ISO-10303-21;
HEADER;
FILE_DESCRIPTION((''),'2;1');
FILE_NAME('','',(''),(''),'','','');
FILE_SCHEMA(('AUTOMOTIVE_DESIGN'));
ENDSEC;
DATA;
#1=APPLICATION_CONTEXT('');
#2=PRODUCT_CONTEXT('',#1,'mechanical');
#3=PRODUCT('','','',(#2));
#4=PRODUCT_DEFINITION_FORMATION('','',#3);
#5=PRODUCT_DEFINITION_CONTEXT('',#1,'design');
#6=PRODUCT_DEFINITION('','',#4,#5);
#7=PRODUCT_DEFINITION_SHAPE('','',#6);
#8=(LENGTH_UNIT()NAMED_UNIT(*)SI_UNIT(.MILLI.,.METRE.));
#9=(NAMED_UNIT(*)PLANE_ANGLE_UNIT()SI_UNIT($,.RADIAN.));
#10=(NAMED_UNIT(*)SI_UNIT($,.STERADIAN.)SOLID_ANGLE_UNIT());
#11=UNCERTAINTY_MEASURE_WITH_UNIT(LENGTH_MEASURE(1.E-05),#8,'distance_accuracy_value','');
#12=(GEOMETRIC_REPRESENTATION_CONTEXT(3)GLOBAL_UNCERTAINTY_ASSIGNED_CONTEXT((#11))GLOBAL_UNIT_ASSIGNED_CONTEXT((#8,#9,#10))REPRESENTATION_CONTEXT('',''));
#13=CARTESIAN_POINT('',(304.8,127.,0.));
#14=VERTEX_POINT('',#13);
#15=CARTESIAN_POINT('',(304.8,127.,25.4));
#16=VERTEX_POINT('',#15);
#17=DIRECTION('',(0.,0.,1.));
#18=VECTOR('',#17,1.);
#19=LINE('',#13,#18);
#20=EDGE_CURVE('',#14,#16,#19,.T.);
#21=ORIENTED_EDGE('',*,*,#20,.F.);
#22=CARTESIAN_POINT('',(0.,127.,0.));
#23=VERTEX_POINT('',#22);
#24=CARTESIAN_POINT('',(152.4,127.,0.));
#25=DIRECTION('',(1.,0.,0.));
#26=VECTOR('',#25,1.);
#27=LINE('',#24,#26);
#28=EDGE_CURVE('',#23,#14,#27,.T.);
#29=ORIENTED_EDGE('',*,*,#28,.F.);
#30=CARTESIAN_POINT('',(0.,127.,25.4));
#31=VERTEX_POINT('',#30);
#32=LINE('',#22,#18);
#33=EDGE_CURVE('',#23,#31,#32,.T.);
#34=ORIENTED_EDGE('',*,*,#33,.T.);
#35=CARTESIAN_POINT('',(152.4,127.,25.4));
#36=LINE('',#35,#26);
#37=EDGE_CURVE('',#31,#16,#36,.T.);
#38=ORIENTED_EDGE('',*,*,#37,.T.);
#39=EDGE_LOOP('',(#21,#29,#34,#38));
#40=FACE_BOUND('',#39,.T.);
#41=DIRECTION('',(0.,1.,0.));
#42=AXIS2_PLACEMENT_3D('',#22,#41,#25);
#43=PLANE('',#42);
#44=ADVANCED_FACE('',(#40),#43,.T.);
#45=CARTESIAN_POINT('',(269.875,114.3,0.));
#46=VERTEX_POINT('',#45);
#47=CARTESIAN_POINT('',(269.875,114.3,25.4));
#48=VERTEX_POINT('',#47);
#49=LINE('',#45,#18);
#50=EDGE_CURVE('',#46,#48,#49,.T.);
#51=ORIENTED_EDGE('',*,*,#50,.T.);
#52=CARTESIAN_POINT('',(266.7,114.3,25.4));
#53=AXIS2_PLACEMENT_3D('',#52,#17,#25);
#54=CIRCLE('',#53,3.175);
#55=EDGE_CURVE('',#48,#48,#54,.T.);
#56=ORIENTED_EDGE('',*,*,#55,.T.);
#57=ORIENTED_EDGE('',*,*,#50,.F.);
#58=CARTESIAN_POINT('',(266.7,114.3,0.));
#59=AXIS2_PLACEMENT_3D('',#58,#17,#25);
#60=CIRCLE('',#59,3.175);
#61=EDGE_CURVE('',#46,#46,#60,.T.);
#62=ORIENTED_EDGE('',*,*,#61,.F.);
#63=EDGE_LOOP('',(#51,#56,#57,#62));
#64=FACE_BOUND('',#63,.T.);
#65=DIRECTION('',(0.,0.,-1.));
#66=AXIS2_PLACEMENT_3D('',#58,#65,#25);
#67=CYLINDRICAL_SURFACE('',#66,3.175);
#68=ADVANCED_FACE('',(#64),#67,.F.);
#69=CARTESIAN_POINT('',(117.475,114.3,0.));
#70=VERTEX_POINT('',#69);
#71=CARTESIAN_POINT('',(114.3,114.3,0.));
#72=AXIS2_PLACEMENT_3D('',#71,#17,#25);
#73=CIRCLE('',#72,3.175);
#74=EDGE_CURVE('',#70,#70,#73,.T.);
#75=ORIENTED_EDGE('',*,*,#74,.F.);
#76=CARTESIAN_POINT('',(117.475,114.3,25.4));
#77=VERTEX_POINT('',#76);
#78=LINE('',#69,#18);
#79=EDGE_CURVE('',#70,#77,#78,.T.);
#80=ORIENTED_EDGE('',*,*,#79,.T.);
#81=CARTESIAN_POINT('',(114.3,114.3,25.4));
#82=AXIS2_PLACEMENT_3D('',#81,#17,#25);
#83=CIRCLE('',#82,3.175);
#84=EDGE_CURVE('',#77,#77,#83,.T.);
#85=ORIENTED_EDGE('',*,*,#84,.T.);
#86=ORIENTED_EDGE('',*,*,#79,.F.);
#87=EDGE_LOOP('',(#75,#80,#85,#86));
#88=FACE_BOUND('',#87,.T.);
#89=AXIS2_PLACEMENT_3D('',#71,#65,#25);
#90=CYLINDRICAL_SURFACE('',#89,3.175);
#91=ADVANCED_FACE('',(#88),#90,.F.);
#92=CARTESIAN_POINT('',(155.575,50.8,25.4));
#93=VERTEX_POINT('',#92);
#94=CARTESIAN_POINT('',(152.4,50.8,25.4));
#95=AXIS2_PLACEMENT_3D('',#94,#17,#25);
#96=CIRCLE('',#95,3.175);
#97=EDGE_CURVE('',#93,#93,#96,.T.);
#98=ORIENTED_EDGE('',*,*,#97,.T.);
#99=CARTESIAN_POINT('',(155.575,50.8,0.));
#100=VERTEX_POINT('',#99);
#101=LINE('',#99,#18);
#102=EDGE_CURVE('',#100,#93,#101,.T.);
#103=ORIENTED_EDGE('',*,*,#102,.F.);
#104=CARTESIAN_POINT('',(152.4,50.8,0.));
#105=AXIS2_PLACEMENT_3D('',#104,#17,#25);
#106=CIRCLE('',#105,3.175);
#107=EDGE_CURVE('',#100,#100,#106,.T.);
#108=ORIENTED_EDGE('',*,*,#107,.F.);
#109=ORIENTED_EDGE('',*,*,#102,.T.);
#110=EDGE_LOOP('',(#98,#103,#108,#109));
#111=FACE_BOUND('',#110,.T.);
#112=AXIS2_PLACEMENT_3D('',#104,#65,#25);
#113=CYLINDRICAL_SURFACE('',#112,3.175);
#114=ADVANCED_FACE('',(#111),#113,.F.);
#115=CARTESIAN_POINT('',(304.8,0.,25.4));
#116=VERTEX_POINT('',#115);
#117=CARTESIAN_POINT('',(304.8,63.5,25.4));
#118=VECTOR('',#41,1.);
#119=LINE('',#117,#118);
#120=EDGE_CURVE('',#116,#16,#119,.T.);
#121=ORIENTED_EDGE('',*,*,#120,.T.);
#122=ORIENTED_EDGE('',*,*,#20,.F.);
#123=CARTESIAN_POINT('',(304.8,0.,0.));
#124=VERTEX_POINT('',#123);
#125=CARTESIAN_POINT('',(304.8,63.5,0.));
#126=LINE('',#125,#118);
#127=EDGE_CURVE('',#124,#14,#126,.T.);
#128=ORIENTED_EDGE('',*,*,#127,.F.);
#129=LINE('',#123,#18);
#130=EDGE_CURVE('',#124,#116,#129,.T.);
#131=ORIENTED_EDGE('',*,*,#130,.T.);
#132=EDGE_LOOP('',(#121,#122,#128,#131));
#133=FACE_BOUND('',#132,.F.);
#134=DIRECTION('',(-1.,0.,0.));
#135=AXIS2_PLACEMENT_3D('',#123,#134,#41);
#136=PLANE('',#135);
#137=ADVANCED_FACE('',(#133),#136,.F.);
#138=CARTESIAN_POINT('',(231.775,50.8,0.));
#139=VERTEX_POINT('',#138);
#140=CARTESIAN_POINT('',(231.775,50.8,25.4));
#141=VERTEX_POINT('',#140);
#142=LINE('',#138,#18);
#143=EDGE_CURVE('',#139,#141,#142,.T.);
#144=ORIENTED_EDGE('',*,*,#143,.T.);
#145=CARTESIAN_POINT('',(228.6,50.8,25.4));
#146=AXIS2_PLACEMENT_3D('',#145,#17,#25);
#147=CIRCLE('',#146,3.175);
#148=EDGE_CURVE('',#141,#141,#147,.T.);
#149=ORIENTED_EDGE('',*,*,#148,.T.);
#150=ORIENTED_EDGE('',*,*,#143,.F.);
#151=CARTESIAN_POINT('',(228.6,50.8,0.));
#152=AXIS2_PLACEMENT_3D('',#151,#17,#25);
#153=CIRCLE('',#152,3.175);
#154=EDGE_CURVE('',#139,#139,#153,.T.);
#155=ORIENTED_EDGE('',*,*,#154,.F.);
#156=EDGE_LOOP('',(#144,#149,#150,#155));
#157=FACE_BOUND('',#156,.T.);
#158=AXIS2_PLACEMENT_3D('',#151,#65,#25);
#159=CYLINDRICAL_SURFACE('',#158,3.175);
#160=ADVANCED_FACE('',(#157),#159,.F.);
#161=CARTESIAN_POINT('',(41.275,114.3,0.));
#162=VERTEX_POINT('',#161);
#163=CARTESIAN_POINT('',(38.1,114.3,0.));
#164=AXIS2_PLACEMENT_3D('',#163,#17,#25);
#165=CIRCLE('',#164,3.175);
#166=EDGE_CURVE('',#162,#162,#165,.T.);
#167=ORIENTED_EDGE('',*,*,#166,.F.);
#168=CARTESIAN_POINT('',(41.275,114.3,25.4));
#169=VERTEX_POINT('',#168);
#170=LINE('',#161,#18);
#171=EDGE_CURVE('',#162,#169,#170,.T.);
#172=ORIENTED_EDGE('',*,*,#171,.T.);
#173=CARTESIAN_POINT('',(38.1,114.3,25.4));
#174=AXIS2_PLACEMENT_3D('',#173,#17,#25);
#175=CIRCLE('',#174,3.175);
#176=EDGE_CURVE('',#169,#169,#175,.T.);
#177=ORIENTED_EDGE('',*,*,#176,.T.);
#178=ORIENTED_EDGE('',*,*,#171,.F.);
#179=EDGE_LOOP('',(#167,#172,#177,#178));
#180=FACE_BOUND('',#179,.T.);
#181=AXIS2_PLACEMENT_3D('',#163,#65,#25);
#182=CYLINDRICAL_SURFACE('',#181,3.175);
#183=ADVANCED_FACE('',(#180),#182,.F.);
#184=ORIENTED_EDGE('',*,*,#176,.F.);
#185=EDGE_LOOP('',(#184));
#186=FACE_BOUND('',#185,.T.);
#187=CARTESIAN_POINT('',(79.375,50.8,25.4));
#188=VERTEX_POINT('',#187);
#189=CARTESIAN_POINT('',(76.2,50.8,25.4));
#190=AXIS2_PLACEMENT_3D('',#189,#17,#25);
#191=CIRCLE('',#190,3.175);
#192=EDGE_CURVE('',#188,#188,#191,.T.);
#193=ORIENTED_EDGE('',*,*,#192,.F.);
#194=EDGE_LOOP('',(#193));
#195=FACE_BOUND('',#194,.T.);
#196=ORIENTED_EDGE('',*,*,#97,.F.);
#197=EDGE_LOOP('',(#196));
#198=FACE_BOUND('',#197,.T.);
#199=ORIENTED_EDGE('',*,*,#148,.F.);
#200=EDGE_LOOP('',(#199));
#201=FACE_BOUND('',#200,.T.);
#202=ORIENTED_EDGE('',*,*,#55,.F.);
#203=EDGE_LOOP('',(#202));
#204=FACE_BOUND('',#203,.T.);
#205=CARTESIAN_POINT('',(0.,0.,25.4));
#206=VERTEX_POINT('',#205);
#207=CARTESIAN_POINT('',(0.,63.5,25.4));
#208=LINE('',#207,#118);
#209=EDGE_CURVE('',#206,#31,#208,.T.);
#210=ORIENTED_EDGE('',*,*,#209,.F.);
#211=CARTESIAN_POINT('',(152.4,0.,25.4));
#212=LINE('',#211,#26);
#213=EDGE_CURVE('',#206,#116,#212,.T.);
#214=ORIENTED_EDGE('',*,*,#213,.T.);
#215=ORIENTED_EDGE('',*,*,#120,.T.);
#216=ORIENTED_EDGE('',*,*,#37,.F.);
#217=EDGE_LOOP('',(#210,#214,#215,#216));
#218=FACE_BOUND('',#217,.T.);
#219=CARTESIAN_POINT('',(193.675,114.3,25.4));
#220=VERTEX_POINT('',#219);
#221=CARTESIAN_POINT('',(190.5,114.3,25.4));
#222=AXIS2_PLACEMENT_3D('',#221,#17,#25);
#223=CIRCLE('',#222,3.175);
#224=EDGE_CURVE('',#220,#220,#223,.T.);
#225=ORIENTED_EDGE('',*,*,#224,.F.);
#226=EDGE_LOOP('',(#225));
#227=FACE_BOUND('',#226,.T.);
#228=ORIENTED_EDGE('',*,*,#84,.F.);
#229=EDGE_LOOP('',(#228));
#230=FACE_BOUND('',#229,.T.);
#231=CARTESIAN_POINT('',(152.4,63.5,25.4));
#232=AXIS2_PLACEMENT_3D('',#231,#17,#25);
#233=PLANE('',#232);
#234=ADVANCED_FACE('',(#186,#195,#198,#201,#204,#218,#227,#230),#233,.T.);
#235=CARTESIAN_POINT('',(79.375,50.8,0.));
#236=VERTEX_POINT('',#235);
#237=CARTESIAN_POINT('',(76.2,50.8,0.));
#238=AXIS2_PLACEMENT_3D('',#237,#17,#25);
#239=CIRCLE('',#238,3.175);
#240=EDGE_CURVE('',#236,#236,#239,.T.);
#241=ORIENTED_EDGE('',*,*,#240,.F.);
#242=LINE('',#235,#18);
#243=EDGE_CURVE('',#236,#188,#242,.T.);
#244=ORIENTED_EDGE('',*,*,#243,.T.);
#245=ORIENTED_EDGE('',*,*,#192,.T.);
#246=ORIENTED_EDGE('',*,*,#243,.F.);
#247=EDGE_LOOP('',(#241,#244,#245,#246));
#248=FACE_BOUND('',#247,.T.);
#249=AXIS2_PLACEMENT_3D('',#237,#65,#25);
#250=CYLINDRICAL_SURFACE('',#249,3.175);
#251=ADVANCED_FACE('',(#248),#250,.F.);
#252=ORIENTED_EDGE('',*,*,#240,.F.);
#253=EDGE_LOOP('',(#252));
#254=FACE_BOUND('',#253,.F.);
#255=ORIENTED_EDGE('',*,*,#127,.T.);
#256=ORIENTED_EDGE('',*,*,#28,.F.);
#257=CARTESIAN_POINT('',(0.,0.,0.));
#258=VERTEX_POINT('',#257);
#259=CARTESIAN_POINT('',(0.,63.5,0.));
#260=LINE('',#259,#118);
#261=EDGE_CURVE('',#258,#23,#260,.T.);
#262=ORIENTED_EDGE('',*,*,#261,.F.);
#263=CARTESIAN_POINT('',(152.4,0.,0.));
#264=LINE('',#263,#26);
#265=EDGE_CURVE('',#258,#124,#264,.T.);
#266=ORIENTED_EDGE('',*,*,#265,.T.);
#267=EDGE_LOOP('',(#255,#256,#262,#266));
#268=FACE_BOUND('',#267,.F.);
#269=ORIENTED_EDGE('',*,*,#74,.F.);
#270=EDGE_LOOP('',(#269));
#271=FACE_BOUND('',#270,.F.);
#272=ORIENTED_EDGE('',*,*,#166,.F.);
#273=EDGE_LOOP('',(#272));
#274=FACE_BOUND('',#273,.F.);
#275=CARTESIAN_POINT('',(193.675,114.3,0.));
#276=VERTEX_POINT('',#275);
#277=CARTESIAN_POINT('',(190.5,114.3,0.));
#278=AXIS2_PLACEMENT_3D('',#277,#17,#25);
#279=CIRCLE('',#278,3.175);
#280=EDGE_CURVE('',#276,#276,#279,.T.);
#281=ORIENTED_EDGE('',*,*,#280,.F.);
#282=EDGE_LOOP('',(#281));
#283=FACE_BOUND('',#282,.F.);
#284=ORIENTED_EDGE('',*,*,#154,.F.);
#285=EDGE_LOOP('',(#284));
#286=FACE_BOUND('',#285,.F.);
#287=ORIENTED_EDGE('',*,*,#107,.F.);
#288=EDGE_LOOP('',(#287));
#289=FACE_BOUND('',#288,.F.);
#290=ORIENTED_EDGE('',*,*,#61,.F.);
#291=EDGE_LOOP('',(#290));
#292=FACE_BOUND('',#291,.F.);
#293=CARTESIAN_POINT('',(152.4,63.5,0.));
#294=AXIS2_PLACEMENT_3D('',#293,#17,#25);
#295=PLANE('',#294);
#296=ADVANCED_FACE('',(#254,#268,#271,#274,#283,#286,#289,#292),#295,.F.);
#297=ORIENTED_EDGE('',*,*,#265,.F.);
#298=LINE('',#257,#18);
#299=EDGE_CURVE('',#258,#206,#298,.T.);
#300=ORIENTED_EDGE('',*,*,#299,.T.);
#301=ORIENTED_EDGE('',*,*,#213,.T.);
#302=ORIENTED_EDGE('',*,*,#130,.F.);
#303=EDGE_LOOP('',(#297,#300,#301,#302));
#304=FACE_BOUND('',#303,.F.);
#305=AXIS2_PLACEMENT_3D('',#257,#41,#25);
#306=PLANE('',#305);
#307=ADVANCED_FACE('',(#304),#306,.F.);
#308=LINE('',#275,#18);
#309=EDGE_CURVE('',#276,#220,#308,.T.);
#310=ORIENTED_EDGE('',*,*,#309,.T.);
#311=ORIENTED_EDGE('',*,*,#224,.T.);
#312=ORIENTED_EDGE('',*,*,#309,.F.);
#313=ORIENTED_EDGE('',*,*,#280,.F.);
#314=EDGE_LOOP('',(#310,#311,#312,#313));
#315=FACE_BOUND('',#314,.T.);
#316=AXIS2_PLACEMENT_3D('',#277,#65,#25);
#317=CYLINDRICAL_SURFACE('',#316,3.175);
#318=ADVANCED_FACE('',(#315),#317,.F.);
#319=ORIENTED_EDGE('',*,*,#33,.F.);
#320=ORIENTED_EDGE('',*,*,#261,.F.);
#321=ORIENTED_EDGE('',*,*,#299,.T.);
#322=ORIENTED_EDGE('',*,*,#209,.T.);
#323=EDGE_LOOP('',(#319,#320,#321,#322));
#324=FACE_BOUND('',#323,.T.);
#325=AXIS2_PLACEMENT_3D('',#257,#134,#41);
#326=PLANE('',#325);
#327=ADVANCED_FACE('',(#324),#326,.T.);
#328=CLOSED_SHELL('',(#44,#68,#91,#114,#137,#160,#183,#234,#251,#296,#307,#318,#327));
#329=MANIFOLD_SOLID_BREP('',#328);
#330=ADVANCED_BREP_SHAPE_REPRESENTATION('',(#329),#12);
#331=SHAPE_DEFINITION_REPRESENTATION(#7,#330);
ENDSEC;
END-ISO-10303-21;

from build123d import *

# Parameters (mm, degrees)
F0_W     = 304.8
F0_H     = 127
F0_R     = 3.175
F1_DEPTH = 25.4


with BuildPart() as f1:
    # F0 (on Top) → F1 (new body)
    with BuildSketch(Plane.XY):
        with Locations((152.4, 63.5)):
            Rectangle(F0_W, F0_H)
        with Locations((76.2, 50.8)):
            Circle(F0_R, mode=Mode.SUBTRACT)
        with Locations((152.4, 50.8)):
            Circle(F0_R, mode=Mode.SUBTRACT)
        with Locations((228.6, 50.8)):
            Circle(F0_R, mode=Mode.SUBTRACT)
        with Locations((38.1, 114.3)):
            Circle(F0_R, mode=Mode.SUBTRACT)
        with Locations((114.3, 114.3)):
            Circle(F0_R, mode=Mode.SUBTRACT)
        with Locations((190.5, 114.3)):
            Circle(F0_R, mode=Mode.SUBTRACT)
        with Locations((266.7, 114.3)):
            Circle(F0_R, mode=Mode.SUBTRACT)
    extrude(amount=F1_DEPTH)


solid = f1.part
